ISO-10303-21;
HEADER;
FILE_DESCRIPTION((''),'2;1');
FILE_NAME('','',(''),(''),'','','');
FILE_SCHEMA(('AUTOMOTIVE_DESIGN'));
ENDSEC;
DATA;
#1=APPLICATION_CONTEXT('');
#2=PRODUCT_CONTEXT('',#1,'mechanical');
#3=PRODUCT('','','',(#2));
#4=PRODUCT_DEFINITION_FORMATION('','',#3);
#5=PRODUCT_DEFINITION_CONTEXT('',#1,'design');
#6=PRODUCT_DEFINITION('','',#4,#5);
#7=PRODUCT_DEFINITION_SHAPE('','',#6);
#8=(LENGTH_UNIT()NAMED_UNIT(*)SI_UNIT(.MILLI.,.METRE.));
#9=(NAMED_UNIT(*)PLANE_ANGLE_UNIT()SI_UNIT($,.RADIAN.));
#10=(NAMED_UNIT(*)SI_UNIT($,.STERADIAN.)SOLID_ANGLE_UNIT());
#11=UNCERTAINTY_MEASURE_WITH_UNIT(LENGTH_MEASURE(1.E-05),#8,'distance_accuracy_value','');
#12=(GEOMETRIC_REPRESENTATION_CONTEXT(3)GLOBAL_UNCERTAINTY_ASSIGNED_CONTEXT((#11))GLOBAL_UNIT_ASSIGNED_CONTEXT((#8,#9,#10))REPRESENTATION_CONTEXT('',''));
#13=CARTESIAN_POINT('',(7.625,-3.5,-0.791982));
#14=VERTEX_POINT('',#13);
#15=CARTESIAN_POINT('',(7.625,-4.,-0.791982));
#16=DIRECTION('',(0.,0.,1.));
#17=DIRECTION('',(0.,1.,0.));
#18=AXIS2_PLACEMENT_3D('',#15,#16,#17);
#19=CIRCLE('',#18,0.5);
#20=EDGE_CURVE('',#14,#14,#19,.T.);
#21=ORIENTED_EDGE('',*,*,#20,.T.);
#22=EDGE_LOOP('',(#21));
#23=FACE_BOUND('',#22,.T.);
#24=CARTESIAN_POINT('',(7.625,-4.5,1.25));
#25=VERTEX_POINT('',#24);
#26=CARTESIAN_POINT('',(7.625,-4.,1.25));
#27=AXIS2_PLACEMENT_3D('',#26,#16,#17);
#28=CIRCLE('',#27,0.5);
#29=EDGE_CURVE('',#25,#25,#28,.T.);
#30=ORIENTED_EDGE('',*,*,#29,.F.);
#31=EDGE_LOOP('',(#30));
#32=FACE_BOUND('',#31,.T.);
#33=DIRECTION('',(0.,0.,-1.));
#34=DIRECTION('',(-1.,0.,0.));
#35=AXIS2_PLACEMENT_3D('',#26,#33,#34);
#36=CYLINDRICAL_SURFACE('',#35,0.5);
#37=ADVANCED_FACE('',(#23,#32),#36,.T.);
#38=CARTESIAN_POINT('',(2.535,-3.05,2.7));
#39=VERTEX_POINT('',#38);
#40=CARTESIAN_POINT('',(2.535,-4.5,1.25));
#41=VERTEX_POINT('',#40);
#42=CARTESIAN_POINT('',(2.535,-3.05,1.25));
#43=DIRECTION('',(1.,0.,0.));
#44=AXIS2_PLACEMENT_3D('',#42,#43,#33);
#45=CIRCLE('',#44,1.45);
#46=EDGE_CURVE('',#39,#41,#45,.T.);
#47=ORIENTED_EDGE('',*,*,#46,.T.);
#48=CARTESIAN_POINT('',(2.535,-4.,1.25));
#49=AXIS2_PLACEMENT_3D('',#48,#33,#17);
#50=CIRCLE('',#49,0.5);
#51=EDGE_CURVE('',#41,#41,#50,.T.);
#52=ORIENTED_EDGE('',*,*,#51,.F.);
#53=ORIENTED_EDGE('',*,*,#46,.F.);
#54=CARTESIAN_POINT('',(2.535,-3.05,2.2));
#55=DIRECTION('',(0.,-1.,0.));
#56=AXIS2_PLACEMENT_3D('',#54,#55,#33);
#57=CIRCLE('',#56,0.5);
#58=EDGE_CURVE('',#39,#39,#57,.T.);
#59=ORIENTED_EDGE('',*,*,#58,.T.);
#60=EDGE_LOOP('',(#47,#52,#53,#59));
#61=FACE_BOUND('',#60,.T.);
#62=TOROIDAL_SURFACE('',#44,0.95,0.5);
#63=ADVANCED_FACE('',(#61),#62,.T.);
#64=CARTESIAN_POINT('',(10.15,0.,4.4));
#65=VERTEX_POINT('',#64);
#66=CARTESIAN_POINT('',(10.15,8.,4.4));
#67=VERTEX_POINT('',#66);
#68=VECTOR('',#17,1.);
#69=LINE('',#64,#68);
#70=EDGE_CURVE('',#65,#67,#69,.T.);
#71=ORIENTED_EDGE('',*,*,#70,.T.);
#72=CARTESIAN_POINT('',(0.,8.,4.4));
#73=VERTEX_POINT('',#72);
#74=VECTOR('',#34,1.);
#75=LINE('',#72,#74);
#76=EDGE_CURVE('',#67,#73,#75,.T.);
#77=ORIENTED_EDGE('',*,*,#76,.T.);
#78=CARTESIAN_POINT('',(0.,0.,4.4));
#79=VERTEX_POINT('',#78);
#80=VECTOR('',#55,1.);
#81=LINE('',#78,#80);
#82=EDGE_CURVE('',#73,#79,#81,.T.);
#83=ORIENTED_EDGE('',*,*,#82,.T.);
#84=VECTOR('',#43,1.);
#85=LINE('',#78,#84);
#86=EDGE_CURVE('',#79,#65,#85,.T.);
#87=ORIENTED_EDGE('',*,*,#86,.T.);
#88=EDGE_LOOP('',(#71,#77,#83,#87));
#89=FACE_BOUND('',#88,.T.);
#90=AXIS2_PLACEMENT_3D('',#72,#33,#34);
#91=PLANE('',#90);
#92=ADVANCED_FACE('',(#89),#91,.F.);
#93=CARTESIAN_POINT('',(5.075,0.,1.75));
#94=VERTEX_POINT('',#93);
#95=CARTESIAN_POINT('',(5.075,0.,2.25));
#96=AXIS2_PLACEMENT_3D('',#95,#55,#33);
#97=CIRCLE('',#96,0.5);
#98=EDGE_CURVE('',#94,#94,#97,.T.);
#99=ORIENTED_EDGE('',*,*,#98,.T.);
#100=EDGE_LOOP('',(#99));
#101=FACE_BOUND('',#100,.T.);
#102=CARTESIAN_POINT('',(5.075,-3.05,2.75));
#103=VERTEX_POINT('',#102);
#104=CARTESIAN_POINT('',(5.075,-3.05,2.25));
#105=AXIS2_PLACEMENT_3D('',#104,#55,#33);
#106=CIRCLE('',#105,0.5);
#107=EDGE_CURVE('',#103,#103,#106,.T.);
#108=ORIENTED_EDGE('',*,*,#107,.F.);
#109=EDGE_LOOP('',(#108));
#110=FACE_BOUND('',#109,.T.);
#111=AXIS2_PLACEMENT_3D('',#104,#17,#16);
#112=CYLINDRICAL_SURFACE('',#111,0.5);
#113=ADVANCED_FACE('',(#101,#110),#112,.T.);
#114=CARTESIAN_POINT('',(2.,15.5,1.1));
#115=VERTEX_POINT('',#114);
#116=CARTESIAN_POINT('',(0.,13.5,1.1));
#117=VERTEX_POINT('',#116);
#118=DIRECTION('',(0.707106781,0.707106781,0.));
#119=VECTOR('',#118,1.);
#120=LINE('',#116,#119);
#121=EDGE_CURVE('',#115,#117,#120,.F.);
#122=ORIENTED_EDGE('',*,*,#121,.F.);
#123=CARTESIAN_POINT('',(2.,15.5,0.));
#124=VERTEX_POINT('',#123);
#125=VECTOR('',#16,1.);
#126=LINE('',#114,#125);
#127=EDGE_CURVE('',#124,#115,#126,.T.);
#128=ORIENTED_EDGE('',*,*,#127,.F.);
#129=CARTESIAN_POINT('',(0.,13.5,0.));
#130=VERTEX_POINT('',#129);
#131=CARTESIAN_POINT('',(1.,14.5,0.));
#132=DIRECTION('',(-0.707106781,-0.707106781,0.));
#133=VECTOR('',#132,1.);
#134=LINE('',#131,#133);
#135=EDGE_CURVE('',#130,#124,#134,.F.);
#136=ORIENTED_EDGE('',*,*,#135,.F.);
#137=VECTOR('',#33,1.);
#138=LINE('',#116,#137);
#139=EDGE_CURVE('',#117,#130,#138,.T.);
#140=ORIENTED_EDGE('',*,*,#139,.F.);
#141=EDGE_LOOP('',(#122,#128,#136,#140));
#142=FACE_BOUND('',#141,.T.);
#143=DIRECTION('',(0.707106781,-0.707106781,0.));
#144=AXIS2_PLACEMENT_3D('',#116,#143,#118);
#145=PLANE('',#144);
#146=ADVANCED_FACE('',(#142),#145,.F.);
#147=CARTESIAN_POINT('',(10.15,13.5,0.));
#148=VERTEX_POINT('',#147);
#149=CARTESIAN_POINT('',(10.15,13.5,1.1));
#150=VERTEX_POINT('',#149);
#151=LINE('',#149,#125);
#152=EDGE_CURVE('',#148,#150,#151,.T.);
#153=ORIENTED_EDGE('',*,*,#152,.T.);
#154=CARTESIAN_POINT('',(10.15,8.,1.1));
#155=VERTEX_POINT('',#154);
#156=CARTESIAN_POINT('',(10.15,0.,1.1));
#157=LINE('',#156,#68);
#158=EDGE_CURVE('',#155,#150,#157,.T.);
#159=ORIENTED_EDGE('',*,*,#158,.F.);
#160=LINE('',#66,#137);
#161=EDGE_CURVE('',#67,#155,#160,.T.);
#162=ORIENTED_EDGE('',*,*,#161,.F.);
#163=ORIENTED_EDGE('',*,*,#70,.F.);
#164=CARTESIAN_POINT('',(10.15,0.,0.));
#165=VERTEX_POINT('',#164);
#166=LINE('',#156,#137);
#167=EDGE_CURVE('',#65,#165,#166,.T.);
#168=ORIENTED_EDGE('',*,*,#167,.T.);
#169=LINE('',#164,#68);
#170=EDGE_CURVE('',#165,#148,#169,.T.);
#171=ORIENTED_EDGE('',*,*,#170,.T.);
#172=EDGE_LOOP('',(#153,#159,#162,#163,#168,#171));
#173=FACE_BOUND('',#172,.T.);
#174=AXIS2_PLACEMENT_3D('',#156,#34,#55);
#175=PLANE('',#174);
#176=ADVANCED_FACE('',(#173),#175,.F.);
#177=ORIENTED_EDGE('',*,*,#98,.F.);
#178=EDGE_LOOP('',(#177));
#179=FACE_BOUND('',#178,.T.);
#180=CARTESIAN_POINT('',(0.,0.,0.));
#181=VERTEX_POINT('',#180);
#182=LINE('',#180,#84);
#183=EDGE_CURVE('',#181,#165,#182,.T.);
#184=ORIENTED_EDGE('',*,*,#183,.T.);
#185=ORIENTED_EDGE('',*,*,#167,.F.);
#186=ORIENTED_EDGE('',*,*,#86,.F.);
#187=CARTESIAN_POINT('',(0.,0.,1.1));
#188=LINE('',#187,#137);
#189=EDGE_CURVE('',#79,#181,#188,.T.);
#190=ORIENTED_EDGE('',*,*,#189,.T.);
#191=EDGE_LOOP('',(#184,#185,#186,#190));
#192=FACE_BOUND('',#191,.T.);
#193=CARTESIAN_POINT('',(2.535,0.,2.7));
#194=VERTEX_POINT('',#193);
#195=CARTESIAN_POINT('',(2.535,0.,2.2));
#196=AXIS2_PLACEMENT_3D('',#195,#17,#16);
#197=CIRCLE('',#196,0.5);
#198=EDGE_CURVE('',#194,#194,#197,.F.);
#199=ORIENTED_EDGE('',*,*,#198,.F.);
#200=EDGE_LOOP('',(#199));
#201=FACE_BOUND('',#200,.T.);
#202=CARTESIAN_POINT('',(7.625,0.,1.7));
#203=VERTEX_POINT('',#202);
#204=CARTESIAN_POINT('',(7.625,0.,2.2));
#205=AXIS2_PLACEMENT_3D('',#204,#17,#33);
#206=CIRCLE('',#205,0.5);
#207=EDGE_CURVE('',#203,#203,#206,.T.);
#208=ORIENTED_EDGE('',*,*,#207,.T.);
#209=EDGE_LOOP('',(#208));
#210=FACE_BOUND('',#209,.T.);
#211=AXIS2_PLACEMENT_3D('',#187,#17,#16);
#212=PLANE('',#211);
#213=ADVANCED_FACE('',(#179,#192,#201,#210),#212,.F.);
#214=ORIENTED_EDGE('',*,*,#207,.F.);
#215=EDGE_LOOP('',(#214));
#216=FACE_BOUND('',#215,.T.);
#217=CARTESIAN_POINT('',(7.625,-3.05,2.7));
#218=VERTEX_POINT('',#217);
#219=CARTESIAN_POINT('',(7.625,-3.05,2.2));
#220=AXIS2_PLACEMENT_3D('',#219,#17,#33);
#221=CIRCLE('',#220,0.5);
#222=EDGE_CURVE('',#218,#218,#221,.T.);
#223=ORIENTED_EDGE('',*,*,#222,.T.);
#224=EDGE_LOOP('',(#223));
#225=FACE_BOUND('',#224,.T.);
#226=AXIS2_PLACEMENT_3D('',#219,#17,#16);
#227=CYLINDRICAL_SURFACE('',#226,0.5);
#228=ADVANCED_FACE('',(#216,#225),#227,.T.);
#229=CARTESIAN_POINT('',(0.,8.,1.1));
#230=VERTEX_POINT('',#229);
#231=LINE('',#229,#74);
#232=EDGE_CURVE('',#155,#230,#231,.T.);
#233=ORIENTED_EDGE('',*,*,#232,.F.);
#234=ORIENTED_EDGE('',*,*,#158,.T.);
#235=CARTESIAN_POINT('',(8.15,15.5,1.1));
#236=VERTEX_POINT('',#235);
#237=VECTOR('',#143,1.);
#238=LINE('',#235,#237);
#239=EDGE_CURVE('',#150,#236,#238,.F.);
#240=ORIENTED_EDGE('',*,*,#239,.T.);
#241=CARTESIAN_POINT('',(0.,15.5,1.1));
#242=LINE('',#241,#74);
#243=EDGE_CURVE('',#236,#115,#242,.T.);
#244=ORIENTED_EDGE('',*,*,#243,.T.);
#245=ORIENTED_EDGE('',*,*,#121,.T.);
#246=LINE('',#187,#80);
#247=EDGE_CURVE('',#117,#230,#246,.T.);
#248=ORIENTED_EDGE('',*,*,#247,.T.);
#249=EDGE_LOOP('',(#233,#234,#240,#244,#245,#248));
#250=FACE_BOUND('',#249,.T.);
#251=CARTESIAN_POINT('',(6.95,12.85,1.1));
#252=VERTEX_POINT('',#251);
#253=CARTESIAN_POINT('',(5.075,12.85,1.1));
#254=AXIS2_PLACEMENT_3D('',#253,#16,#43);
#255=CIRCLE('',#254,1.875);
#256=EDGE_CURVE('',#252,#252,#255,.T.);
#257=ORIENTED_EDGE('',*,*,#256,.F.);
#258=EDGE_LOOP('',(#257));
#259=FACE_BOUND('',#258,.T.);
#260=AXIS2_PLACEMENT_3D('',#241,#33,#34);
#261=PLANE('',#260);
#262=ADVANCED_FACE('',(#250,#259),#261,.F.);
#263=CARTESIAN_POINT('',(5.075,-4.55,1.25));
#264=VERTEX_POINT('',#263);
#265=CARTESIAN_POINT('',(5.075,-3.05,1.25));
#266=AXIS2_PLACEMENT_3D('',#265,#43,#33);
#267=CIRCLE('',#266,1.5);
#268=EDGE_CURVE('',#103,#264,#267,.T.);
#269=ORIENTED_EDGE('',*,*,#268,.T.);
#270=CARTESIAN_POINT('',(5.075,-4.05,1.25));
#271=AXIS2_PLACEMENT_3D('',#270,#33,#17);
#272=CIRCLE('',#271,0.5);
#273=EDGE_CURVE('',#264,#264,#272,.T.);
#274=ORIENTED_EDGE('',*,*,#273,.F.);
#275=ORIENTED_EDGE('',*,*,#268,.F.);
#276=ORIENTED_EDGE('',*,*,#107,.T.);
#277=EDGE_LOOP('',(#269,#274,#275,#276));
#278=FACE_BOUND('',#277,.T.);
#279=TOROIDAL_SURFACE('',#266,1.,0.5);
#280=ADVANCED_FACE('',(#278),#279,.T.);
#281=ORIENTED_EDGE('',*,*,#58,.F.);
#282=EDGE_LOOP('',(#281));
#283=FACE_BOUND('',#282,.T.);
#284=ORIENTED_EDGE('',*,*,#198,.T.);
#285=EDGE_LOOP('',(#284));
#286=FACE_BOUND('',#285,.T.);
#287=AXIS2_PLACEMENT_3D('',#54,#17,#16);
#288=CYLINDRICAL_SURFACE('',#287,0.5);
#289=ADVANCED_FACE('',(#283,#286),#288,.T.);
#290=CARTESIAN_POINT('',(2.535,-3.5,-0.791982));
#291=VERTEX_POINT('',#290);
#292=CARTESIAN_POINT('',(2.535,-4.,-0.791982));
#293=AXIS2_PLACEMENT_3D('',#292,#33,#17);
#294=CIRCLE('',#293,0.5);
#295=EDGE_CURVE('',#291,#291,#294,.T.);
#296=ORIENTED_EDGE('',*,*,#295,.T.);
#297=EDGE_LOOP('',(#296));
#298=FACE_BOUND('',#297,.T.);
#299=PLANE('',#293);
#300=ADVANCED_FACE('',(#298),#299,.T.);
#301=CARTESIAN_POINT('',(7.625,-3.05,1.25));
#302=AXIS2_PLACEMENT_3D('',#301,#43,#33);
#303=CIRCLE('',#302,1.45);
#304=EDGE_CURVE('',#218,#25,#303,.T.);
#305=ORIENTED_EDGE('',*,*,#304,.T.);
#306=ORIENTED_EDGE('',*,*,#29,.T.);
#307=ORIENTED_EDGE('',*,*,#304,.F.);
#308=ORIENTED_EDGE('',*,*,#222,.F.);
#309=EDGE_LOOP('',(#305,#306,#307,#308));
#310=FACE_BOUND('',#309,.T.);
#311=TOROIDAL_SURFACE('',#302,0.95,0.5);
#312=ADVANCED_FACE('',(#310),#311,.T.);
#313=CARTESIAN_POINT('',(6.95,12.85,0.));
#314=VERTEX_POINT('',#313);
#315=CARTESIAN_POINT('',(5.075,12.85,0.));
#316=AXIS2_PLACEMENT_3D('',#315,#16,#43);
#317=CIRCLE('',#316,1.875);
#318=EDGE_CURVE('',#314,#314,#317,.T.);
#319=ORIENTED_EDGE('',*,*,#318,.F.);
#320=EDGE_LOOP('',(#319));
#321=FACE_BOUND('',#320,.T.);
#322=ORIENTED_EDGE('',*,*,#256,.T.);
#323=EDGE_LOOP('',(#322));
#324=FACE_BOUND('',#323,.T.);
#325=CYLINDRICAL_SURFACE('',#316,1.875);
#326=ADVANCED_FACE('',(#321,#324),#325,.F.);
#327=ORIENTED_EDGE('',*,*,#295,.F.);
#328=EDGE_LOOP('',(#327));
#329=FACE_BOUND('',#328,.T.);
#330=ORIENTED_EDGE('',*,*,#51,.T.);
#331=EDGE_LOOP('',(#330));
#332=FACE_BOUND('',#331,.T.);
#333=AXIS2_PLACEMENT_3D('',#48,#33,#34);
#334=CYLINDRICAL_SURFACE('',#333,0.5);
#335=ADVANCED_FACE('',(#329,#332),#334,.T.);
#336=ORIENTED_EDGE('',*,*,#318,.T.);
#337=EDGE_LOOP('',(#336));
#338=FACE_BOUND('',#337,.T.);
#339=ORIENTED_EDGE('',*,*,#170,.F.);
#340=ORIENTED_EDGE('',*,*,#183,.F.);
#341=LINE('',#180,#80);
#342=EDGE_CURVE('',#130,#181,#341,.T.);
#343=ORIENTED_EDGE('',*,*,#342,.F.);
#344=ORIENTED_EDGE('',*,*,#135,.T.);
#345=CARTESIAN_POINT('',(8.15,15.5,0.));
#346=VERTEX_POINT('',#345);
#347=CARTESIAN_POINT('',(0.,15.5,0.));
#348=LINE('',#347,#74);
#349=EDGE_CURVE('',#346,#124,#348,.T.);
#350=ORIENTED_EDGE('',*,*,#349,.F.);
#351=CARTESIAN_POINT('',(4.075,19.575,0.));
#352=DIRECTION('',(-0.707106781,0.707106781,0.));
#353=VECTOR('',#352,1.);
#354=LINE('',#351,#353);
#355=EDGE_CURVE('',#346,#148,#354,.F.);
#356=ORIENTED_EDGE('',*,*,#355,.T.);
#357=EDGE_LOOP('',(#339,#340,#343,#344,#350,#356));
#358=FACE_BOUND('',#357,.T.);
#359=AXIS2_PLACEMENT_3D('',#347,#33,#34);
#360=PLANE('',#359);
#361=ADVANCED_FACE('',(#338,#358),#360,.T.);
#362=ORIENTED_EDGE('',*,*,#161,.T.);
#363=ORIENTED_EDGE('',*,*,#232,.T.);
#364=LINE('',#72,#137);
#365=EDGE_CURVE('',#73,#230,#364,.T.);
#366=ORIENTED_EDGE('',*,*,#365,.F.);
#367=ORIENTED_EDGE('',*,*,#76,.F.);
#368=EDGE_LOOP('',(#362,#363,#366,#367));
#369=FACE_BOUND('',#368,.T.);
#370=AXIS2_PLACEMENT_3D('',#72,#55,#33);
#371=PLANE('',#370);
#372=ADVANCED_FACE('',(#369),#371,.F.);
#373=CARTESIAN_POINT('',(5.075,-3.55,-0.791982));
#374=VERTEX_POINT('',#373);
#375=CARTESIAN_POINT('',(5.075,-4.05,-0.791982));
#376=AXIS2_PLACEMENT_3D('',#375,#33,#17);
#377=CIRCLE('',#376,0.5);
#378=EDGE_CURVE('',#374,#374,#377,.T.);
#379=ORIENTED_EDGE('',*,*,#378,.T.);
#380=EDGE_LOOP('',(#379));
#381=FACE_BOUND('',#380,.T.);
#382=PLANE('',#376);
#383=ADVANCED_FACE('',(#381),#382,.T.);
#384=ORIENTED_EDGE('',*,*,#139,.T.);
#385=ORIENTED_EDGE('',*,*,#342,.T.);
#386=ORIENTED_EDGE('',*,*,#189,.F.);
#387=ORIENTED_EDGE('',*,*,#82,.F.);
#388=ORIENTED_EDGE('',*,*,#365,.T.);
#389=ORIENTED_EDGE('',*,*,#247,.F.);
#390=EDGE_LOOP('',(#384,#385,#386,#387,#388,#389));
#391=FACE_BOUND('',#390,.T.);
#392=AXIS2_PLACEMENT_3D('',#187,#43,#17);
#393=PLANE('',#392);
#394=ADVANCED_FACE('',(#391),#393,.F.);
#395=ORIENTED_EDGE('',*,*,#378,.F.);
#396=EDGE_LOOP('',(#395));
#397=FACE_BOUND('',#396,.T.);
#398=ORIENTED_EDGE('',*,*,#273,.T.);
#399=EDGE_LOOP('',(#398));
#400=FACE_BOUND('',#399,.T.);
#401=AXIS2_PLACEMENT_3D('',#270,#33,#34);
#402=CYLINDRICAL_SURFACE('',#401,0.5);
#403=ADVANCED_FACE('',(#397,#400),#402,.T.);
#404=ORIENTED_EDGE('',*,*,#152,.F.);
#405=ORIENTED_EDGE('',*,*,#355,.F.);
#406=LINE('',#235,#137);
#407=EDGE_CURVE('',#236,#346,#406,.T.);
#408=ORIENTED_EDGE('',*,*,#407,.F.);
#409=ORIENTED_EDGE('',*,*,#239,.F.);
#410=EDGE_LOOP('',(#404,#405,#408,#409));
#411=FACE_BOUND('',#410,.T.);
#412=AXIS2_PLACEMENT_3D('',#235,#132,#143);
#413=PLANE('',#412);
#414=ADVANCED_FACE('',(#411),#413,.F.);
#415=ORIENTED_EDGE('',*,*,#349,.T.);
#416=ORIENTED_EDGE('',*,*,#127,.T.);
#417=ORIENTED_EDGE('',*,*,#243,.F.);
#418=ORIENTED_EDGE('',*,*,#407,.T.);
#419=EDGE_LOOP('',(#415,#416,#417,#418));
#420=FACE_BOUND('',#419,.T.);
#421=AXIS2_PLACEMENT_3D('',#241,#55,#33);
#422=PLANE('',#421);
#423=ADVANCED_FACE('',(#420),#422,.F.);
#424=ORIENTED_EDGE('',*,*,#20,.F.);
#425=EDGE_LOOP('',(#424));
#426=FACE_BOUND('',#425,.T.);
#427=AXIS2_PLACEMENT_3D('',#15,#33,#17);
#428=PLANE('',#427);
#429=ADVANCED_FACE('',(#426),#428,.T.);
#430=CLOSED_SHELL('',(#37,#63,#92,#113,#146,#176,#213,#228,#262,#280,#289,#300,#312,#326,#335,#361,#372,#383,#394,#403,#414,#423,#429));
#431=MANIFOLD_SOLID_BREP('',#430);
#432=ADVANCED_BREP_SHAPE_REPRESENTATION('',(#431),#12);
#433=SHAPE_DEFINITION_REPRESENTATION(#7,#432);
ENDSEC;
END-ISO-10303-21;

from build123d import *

# Parameters (mm, degrees)
ESQUISSE1_W             = 10.15
ESQUISSE1_H             = 15.5
EXTRUSION1_DEPTH        = 1.1
ESQUISSE2_R             = 1.875
ENL_V_MAT_EXTRU_1_DEPTH = 19.560239761
CHANFREIN1_SIZE         = 2
ESQUISSE3_W             = 10.15
ESQUISSE3_H             = 8
EXTRUSION2_DEPTH        = 3.3
ESQUISSE5_R             = 0.5
ESQUISSE9_R             = 0.5


with BuildPart() as part:
    # Esquisse1 → Extrusion1 (new body)
    with BuildSketch(Plane.XY):
        with Locations((5.075, 7.75)):
            Rectangle(ESQUISSE1_W, ESQUISSE1_H)
    extrude(amount=EXTRUSION1_DEPTH)

    # Esquisse2 → Enlèv. mat.-Extru.1 (cut, through all)
    with BuildSketch(Plane.XY.offset(1.1)):
        with Locations((5.075, 12.85)):
            Circle(ESQUISSE2_R)
    extrude(amount=-ENL_V_MAT_EXTRU_1_DEPTH, mode=Mode.SUBTRACT)

    # Chanfrein1
    chanfrein1_edges = [part.edges().sort_by_distance(p)[0] for p in [
        (0, 15.5, 0.55),
        (10.15, 15.5, 0.55),
    ]]
    chamfer(chanfrein1_edges, length=CHANFREIN1_SIZE)

    # Esquisse3 → Extrusion2 (add)
    with BuildSketch(Plane.XY.offset(1.1)):
        with Locations((5.075, 4)):
            Rectangle(ESQUISSE3_W, ESQUISSE3_H)
    extrude(amount=EXTRUSION2_DEPTH)

    # Balayage1: sweep along a path in Esquisse8
    with BuildLine(Plane(origin=(2.54, 0, 0), x_dir=(0, 0, -1), z_dir=(1, 0, 0))) as balayage1_path:
        Line((-2.25, 0), (-2.25, -3.05))
        ThreePointArc((-2.25, -3.05), (-1.957106781, -3.757106781), (-1.25, -4.05))
        Line((-1.25, -4.05), (0.791981695, -4.05))
    # Esquisse5 → Balayage1 (sweep)
    with BuildSketch(Plane.XZ):
        with Locations((2.535, 2.2)):
            Circle(ESQUISSE5_R)
    balayage1 = sweep(path=balayage1_path.line)

    # Balayage2: sweep along a path in Esquisse10
    with BuildLine(Plane(origin=(5.08, 0, 0), x_dir=(0, 0, -1), z_dir=(1, 0, 0))) as balayage2_path:
        Line((-2.25, 0), (-2.25, -3.05))
        ThreePointArc((-2.25, -3.05), (-1.957106781, -3.757106781), (-1.25, -4.05))
        Line((-1.25, -4.05), (0.791981695, -4.05))
    # Esquisse9 → Balayage2 (sweep)
    with BuildSketch(Plane.XZ):
        with Locations((5.075, 2.25)):
            Circle(ESQUISSE9_R)
    sweep(path=balayage2_path.line)

    # Symétrie1: Balayage1 across plane
    add(balayage1.mirror(Plane(origin=(5.08, 0, 0), x_dir=(0, 0, 1), z_dir=(1, 0, 0))))


solid = part.part
